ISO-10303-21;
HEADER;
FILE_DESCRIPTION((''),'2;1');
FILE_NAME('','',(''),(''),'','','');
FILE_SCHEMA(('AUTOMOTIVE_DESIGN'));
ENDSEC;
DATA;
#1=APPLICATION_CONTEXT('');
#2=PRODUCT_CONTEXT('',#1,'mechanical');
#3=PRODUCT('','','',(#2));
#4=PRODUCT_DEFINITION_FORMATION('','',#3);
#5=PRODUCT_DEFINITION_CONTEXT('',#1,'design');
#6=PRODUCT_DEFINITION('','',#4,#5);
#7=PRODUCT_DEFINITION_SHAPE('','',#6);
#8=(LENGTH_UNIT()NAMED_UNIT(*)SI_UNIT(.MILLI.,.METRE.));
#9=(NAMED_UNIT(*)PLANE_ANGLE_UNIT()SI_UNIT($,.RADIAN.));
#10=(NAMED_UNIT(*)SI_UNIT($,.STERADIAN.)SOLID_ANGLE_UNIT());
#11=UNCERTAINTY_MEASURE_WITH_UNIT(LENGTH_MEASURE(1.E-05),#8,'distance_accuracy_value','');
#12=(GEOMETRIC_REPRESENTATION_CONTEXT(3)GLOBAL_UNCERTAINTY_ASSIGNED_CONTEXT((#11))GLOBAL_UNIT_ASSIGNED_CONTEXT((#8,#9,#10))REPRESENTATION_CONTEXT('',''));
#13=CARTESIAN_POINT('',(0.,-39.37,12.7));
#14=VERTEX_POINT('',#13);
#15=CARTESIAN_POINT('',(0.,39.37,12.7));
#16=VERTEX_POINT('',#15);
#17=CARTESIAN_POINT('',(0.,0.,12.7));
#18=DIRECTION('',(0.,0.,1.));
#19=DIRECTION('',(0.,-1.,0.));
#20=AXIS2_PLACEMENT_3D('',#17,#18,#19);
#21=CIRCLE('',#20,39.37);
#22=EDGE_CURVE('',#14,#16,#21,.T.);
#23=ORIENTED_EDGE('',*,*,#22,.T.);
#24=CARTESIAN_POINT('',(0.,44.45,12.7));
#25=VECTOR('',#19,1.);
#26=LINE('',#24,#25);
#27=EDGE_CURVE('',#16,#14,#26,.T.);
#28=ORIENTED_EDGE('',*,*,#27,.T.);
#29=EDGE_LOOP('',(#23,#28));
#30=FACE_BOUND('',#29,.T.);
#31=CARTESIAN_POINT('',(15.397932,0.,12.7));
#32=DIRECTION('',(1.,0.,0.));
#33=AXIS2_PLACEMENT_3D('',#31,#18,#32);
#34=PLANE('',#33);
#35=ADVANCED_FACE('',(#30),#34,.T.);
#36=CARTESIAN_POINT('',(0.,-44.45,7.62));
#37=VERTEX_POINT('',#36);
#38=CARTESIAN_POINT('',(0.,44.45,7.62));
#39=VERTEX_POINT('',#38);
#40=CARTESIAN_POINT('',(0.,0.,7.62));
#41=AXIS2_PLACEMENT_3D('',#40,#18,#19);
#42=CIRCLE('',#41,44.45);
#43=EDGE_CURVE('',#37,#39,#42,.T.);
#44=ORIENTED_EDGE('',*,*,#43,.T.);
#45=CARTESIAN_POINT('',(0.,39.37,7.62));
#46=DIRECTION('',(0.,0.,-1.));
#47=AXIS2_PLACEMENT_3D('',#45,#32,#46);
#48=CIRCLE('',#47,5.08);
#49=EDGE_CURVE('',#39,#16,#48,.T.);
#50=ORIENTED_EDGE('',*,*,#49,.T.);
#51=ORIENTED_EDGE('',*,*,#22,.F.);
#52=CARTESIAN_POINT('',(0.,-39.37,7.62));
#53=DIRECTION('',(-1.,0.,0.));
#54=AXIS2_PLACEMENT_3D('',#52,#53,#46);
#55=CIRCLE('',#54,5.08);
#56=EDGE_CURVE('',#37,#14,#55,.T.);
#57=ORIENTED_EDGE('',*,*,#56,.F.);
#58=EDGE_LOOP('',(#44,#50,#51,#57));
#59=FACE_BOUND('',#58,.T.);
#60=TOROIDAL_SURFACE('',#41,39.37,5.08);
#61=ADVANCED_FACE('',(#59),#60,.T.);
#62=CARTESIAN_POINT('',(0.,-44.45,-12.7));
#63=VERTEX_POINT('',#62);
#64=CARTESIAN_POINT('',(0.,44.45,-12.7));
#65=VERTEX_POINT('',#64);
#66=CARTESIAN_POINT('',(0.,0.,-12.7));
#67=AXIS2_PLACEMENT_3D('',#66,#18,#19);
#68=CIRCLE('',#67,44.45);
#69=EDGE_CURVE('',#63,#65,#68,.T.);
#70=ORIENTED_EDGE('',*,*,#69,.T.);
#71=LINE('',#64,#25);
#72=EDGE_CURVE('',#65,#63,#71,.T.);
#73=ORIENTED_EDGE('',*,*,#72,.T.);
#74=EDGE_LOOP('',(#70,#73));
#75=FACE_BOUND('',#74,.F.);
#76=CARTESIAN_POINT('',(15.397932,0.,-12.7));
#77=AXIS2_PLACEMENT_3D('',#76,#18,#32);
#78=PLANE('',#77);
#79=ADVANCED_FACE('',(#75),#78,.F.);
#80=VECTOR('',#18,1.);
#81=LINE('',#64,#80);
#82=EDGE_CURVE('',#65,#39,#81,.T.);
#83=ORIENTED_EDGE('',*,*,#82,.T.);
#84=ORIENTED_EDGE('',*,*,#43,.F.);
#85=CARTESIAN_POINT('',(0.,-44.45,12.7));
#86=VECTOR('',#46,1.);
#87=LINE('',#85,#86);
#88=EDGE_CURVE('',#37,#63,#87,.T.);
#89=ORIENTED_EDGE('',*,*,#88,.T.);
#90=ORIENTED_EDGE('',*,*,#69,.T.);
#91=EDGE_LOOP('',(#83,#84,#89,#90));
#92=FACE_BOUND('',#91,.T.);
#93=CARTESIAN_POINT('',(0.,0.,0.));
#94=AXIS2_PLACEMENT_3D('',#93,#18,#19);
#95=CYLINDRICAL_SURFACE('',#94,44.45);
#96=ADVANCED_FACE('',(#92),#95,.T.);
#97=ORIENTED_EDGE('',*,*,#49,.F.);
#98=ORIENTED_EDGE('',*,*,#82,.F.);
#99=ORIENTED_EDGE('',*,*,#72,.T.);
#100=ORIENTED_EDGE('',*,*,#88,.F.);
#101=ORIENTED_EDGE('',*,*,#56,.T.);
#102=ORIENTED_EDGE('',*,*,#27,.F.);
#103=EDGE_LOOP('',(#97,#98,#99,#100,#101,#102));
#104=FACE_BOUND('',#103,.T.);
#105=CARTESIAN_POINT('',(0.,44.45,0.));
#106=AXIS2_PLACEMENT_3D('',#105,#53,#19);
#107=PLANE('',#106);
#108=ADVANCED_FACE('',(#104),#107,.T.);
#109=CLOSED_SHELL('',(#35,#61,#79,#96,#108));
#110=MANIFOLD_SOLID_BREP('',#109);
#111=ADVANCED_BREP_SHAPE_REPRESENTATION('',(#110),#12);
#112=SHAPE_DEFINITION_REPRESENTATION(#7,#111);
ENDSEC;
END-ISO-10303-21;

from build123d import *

# Parameters (mm, degrees)
F1_DEPTH = 12.7
F2_R     = 5.08


with BuildPart() as f1:
    # F0 (on Top) → F1 (new body, symmetric)
    with BuildSketch(Plane.XY):
        with BuildLine():
            ThreePointArc((0, -44.45), (44.45, 0), (0, 44.45))
            Line((0, 44.45), (0, -44.45))
        make_face()
    extrude(amount=F1_DEPTH, both=True)

    # F2
    f2_edges = [f1.edges().sort_by_distance(p)[0] for p in [
        (44.45, 0, 12.7),
    ]]
    fillet(f2_edges, radius=F2_R)


solid = f1.part
